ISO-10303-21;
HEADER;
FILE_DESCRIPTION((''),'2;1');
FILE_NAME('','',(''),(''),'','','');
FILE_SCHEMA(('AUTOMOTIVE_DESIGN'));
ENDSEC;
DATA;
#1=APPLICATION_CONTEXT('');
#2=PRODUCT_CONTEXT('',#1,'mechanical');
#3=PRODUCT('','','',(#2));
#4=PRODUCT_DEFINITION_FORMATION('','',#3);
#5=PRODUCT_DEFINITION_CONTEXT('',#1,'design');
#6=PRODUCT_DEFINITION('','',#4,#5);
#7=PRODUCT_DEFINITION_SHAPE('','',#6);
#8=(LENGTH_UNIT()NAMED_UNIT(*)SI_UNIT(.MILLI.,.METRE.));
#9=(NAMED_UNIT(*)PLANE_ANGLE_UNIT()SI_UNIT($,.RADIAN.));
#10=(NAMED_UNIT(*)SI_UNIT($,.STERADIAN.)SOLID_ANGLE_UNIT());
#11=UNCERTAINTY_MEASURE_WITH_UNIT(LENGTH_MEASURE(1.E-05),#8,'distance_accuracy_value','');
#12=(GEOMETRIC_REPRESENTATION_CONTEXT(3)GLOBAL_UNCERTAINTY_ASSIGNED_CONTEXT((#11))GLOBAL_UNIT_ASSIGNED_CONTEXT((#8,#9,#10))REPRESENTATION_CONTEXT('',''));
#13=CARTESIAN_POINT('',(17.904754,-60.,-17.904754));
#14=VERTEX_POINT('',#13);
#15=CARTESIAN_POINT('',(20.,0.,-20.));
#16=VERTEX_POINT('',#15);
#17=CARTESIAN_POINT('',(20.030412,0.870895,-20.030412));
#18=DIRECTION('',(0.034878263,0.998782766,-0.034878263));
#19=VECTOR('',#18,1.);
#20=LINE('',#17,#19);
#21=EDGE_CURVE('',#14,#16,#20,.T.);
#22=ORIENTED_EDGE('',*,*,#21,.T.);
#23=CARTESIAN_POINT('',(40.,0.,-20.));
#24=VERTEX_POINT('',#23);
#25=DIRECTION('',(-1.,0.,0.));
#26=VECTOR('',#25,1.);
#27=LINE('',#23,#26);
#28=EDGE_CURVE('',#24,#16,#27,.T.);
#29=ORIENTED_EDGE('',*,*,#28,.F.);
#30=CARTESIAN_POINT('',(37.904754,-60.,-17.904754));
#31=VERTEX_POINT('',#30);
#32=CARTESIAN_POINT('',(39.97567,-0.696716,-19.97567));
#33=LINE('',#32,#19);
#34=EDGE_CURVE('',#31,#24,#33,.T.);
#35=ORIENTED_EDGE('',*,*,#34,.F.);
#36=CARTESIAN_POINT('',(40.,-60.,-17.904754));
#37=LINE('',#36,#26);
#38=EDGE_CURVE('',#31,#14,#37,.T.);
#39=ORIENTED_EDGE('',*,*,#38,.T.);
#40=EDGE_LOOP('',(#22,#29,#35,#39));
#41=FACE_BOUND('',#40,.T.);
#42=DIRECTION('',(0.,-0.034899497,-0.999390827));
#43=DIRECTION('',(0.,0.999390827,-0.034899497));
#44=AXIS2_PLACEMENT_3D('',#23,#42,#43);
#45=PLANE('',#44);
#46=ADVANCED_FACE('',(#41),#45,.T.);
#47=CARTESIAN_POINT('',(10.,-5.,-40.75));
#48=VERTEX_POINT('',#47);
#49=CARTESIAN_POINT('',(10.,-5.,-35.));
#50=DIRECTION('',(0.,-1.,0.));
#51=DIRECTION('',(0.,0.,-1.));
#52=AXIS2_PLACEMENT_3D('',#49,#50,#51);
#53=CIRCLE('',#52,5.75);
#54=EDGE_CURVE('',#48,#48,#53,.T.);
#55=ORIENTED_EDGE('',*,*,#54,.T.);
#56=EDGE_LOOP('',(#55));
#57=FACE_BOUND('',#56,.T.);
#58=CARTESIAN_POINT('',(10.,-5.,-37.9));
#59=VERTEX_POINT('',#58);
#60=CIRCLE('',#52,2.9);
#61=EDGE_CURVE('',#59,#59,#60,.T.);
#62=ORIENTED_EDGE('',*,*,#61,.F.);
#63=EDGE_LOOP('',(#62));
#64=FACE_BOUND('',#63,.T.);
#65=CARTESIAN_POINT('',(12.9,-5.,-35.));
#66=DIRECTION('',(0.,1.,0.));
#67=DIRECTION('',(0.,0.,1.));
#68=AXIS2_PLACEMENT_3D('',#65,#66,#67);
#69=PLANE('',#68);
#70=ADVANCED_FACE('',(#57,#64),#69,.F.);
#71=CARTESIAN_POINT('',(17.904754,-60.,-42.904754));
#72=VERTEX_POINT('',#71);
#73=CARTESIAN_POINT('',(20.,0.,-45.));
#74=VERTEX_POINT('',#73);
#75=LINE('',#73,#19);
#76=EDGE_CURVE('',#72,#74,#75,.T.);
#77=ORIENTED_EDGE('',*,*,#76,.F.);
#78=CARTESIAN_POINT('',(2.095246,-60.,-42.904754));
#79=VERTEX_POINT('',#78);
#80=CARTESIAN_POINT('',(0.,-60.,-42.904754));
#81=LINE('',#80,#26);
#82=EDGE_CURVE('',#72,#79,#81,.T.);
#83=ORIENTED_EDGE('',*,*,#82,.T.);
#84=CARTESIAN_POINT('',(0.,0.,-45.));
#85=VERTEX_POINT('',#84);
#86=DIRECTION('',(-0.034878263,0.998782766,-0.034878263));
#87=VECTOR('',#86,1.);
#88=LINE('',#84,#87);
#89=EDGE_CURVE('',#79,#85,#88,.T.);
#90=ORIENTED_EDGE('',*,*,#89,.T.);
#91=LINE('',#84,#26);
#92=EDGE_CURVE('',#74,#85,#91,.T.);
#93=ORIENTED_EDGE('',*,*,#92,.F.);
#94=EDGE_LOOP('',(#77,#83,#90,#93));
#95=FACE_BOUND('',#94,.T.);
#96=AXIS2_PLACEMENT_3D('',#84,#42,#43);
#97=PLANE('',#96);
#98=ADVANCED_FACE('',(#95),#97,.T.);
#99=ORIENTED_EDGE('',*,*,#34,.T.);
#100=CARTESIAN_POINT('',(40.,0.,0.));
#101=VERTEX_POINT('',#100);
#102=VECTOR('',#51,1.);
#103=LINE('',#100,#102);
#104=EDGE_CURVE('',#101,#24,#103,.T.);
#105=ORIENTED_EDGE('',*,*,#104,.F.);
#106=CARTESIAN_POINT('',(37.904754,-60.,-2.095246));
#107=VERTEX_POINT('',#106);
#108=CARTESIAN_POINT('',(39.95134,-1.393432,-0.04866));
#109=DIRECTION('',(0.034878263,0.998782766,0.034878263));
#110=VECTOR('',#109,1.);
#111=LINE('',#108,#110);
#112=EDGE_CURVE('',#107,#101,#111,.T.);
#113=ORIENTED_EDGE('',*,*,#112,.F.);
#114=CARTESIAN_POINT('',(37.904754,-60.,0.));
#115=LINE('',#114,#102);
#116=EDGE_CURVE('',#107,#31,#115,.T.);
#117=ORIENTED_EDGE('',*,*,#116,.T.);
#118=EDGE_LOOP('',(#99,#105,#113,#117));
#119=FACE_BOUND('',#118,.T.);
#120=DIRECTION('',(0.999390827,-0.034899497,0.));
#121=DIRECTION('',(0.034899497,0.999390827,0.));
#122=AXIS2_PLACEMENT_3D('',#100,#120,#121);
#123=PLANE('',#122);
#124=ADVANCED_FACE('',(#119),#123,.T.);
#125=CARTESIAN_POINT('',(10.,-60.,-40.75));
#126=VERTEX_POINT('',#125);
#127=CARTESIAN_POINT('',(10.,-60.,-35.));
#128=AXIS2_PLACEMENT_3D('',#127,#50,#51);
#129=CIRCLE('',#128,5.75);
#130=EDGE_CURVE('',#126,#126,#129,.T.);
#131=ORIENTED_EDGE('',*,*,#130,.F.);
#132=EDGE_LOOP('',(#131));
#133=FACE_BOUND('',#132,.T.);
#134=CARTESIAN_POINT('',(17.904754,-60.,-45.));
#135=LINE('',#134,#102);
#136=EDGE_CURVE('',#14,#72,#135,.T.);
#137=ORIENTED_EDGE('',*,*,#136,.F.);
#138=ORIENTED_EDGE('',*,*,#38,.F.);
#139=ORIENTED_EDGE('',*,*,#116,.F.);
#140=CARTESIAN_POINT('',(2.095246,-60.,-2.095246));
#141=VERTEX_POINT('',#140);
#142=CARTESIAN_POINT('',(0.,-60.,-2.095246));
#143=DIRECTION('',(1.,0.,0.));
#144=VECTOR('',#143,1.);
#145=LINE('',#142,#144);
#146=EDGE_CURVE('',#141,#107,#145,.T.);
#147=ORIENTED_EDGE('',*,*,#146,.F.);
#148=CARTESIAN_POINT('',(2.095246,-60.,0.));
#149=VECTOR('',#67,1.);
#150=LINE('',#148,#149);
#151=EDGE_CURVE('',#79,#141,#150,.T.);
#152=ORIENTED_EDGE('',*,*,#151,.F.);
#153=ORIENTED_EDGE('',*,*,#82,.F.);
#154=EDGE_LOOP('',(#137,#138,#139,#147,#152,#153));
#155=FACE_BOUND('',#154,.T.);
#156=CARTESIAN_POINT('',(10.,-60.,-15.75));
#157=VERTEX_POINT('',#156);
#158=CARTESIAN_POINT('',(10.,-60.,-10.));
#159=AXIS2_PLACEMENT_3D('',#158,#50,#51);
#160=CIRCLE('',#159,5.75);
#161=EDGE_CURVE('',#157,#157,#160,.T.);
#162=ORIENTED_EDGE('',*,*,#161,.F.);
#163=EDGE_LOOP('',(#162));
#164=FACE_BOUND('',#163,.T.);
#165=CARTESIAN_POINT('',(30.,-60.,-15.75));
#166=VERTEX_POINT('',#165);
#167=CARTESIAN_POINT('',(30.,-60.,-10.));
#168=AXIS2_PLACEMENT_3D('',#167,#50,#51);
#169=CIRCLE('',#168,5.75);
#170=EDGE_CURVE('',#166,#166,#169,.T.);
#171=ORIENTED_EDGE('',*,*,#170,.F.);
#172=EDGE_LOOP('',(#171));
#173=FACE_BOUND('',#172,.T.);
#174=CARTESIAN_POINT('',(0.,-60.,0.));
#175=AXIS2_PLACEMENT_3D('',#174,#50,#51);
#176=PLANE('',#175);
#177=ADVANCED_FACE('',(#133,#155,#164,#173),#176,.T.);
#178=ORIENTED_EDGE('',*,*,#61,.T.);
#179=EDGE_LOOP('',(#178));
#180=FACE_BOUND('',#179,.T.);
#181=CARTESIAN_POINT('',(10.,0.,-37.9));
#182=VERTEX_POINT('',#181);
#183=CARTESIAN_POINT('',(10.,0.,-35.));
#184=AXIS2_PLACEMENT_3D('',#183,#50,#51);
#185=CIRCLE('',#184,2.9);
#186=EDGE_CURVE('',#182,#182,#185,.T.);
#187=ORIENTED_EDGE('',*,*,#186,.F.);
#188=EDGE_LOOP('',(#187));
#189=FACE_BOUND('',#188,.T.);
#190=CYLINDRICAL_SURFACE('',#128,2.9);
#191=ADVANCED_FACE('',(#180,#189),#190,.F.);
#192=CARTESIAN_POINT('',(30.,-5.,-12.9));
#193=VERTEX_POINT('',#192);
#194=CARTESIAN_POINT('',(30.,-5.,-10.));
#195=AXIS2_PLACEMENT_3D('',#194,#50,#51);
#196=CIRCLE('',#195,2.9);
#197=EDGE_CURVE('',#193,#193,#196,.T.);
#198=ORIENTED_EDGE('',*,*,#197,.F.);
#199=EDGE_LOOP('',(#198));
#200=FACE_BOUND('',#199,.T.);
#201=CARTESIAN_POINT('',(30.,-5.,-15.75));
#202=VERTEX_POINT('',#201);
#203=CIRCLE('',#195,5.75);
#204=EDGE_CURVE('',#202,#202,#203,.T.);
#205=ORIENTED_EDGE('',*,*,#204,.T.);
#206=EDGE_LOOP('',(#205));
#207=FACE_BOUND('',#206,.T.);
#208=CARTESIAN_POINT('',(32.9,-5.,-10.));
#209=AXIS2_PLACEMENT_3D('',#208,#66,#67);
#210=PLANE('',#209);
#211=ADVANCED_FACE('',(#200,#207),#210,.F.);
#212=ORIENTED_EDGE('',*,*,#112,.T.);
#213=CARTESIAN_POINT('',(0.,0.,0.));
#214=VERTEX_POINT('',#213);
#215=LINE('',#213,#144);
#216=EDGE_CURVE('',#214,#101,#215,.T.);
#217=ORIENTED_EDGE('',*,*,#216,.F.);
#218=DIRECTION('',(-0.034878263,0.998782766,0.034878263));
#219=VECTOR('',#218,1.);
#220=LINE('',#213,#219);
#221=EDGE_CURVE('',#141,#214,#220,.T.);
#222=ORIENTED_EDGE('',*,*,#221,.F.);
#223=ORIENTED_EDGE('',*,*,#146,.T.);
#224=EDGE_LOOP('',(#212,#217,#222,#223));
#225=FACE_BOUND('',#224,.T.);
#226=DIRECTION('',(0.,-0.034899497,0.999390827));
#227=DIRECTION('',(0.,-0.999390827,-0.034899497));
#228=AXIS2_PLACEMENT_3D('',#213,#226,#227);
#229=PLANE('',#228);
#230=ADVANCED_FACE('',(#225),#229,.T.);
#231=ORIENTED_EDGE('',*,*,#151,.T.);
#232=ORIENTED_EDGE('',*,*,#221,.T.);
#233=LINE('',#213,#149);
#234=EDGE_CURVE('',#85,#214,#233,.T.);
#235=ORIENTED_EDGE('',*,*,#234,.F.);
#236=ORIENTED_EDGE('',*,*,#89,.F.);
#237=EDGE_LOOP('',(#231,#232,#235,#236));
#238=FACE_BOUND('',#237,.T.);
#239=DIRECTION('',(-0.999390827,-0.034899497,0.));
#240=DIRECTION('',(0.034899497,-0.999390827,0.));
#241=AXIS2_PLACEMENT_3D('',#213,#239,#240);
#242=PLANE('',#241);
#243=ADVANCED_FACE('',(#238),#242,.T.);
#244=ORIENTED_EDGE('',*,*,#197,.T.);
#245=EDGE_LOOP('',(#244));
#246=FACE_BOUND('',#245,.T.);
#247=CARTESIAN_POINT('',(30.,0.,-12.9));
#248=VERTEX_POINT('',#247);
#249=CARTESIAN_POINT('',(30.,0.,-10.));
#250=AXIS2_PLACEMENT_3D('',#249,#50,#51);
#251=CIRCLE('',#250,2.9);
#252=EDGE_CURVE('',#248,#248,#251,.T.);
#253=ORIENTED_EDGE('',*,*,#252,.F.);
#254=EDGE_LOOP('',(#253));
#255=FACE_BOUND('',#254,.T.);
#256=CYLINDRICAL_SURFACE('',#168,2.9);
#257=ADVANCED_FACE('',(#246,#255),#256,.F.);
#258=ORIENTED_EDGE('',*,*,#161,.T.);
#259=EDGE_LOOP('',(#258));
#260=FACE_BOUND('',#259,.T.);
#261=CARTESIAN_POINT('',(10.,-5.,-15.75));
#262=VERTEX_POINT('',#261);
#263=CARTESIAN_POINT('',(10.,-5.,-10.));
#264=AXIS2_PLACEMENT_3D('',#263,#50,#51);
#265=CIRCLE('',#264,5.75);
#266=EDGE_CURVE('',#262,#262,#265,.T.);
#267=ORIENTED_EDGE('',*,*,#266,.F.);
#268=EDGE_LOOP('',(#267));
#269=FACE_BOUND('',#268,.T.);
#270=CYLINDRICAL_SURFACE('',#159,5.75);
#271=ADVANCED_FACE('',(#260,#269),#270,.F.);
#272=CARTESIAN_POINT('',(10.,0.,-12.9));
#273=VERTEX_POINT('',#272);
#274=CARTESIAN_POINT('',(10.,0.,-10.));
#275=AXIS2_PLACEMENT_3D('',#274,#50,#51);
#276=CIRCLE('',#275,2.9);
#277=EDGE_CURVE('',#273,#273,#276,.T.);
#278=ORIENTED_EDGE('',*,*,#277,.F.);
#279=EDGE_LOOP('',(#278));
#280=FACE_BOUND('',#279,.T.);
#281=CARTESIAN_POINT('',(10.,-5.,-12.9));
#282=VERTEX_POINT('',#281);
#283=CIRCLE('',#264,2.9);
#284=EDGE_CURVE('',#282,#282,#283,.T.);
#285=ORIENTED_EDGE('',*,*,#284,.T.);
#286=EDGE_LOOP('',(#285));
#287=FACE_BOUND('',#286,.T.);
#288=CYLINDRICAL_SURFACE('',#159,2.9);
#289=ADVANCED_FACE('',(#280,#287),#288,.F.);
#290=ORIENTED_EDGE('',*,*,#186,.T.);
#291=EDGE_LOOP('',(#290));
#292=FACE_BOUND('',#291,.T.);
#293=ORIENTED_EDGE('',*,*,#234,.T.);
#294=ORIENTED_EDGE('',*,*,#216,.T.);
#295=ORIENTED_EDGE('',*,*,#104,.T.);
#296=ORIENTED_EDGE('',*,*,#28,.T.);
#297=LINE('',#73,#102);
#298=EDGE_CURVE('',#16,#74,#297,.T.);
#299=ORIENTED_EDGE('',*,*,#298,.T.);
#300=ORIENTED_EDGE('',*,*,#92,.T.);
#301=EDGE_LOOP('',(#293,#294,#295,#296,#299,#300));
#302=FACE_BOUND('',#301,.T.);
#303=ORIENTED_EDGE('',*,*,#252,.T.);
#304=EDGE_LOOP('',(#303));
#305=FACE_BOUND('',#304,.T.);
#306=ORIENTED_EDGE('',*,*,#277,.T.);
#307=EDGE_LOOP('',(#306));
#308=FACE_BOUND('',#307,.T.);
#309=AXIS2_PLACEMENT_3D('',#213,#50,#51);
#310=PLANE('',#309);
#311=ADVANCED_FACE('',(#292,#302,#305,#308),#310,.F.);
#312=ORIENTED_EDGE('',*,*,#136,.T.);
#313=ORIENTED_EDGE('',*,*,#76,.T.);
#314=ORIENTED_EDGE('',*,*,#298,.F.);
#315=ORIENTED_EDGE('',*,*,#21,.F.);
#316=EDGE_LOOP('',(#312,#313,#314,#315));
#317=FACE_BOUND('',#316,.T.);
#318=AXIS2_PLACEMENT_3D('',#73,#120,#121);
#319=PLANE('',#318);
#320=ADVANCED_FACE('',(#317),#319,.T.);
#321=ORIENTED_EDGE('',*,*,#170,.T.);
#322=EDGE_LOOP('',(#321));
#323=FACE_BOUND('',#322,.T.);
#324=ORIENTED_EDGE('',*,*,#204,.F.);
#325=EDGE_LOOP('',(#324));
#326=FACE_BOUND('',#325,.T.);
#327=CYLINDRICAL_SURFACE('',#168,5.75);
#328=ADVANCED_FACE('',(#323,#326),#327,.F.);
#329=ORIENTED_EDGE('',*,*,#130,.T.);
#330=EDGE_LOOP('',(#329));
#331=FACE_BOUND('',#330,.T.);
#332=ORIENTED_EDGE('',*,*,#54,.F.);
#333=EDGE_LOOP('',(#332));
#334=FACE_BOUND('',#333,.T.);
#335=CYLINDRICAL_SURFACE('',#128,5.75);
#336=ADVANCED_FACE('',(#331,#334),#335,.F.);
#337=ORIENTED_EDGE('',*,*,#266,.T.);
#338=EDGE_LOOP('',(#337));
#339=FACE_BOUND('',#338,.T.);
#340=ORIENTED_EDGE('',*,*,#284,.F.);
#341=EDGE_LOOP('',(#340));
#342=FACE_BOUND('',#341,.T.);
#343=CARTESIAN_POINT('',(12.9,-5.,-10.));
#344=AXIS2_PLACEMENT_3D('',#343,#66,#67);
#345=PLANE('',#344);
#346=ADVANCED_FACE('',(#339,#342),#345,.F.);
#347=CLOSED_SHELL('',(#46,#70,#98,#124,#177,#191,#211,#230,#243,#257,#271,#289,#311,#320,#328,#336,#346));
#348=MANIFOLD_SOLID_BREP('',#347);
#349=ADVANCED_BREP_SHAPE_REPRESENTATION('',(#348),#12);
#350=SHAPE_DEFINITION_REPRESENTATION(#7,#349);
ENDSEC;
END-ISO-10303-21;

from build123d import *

# Parameters (mm, degrees)
BOSS_EXTRUDE1_DEPTH             = 60
BOSS_EXTRUDE1_DRAFT             = -2
CBORE_FOR_M5_SBHCS1_D           = 5.8
CBORE_FOR_M5_SBHCS1_CBORE_D     = 11.5
CBORE_FOR_M5_SBHCS1_CBORE_DEPTH = 55


with BuildPart() as part:
    # Sketch1 → Boss-Extrude1 (with draft: the straight prism first)
    with BuildSketch(Plane(origin=(0, 0, 0), x_dir=(1, 0, 0), z_dir=(0, 1, 0))):
        Polygon((0, 0), (40, 0), (40, 20), (20, 20), (20, 45), (0, 45), align=None)
    extrude(amount=-BOSS_EXTRUDE1_DEPTH)
    # Boss-Extrude1: the draft: its side faces are tilted about the plane it starts from
    boss_extrude1_sides = [part.faces().sort_by_distance(p)[0] for p in [
        (20, -30, 0),
        (40, -30, -10),
        (30, -30, -20),
        (20, -30, -32.5),
        (10, -30, -45),
        (0, -30, -22.5),
    ]]
    draft(boss_extrude1_sides, Plane(origin=(0, 0, 0), x_dir=(1, 0, 0), z_dir=(0, 1, 0)), BOSS_EXTRUDE1_DRAFT)

    # CBORE for M5 SBHCS1 (through all)
    with Locations(Plane(origin=(0, -60, 0), x_dir=(-1, 0, 0), z_dir=(0, -1, 0))):
        with Locations((-10, 10), (-30, 10), (-10, 35)):
            CounterBoreHole(CBORE_FOR_M5_SBHCS1_D / 2, CBORE_FOR_M5_SBHCS1_CBORE_D / 2, CBORE_FOR_M5_SBHCS1_CBORE_DEPTH)


solid = part.part
